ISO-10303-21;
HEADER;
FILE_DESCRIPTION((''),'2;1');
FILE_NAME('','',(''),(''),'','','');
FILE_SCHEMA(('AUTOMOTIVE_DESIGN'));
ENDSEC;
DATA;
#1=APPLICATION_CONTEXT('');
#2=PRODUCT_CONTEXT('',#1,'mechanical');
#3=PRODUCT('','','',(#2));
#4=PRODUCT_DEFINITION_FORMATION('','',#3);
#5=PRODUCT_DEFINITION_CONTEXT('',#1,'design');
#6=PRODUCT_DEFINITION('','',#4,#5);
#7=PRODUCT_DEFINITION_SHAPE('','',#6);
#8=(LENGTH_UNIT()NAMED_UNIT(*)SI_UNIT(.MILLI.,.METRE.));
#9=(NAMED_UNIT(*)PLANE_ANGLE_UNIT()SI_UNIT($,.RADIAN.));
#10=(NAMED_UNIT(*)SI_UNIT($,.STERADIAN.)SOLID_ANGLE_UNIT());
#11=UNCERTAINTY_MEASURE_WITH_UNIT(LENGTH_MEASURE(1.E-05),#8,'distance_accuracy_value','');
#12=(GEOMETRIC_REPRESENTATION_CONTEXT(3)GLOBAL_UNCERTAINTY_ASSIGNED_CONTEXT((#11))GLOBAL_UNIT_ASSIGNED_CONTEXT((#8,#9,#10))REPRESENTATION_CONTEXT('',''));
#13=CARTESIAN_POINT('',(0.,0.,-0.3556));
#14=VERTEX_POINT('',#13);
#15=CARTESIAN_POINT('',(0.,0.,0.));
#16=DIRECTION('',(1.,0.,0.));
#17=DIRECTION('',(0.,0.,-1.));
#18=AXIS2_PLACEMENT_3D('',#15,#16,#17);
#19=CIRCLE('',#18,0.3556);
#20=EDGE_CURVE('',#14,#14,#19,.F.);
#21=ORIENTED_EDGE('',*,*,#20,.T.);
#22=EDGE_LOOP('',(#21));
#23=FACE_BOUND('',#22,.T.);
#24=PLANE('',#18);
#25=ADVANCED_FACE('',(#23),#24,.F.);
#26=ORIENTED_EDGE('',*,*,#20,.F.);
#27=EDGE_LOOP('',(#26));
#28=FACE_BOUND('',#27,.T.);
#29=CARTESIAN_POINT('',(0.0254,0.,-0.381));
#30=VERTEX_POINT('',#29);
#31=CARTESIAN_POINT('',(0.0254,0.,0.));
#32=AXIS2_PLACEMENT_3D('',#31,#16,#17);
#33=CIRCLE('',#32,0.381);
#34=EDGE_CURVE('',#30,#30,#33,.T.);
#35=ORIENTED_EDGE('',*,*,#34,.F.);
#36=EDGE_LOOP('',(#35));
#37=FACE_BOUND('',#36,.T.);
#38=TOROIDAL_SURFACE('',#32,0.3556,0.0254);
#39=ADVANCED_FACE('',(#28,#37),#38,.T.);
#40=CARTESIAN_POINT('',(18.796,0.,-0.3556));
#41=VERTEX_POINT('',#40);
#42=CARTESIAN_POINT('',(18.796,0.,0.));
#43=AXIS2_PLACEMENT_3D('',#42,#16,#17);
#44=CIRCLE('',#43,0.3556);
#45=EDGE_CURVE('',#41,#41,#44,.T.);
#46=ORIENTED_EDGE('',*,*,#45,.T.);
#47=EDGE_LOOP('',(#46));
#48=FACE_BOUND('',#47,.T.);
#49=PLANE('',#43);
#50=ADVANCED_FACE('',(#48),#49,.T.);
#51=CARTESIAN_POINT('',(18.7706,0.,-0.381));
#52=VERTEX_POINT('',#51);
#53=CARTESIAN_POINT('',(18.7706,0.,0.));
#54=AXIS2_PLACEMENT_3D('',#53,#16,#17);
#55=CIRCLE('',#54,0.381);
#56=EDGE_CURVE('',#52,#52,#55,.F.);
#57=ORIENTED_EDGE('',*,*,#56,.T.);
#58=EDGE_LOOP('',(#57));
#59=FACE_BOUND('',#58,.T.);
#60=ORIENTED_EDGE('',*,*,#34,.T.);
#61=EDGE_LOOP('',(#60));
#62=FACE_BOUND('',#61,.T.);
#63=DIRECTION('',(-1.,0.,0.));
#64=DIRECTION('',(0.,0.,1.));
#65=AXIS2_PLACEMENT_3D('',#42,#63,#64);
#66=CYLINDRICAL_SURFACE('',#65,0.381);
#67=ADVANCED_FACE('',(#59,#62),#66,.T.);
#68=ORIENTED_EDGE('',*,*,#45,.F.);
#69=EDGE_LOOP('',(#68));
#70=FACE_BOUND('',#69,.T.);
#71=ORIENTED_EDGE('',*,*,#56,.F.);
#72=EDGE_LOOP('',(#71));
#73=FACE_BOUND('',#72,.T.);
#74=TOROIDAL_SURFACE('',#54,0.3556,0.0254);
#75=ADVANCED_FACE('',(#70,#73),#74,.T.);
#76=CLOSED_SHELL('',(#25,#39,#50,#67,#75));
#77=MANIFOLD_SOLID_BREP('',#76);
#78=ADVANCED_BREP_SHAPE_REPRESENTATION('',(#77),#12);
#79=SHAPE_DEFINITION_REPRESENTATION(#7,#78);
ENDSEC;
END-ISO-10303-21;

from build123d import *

# Parameters (mm, degrees)
SKETCH1_R      = 0.381
EXTRUDE1_DEPTH = 18.796
FILLET1_R      = 0.0254


with BuildPart() as part:
    # Sketch1 → Extrude1 (new body)
    with BuildSketch(Plane(origin=(0, 0, 0), x_dir=(0, 0, -1), z_dir=(1, 0, 0))):
        Circle(SKETCH1_R)
    extrude(amount=EXTRUDE1_DEPTH)

    # Fillet1
    fillet1_edges = [part.edges().sort_by_distance(p)[0] for p in [
        (0, 0, 0.381),
        (18.796, 0, 0.381),
    ]]
    fillet(fillet1_edges, radius=FILLET1_R)


solid = part.part
